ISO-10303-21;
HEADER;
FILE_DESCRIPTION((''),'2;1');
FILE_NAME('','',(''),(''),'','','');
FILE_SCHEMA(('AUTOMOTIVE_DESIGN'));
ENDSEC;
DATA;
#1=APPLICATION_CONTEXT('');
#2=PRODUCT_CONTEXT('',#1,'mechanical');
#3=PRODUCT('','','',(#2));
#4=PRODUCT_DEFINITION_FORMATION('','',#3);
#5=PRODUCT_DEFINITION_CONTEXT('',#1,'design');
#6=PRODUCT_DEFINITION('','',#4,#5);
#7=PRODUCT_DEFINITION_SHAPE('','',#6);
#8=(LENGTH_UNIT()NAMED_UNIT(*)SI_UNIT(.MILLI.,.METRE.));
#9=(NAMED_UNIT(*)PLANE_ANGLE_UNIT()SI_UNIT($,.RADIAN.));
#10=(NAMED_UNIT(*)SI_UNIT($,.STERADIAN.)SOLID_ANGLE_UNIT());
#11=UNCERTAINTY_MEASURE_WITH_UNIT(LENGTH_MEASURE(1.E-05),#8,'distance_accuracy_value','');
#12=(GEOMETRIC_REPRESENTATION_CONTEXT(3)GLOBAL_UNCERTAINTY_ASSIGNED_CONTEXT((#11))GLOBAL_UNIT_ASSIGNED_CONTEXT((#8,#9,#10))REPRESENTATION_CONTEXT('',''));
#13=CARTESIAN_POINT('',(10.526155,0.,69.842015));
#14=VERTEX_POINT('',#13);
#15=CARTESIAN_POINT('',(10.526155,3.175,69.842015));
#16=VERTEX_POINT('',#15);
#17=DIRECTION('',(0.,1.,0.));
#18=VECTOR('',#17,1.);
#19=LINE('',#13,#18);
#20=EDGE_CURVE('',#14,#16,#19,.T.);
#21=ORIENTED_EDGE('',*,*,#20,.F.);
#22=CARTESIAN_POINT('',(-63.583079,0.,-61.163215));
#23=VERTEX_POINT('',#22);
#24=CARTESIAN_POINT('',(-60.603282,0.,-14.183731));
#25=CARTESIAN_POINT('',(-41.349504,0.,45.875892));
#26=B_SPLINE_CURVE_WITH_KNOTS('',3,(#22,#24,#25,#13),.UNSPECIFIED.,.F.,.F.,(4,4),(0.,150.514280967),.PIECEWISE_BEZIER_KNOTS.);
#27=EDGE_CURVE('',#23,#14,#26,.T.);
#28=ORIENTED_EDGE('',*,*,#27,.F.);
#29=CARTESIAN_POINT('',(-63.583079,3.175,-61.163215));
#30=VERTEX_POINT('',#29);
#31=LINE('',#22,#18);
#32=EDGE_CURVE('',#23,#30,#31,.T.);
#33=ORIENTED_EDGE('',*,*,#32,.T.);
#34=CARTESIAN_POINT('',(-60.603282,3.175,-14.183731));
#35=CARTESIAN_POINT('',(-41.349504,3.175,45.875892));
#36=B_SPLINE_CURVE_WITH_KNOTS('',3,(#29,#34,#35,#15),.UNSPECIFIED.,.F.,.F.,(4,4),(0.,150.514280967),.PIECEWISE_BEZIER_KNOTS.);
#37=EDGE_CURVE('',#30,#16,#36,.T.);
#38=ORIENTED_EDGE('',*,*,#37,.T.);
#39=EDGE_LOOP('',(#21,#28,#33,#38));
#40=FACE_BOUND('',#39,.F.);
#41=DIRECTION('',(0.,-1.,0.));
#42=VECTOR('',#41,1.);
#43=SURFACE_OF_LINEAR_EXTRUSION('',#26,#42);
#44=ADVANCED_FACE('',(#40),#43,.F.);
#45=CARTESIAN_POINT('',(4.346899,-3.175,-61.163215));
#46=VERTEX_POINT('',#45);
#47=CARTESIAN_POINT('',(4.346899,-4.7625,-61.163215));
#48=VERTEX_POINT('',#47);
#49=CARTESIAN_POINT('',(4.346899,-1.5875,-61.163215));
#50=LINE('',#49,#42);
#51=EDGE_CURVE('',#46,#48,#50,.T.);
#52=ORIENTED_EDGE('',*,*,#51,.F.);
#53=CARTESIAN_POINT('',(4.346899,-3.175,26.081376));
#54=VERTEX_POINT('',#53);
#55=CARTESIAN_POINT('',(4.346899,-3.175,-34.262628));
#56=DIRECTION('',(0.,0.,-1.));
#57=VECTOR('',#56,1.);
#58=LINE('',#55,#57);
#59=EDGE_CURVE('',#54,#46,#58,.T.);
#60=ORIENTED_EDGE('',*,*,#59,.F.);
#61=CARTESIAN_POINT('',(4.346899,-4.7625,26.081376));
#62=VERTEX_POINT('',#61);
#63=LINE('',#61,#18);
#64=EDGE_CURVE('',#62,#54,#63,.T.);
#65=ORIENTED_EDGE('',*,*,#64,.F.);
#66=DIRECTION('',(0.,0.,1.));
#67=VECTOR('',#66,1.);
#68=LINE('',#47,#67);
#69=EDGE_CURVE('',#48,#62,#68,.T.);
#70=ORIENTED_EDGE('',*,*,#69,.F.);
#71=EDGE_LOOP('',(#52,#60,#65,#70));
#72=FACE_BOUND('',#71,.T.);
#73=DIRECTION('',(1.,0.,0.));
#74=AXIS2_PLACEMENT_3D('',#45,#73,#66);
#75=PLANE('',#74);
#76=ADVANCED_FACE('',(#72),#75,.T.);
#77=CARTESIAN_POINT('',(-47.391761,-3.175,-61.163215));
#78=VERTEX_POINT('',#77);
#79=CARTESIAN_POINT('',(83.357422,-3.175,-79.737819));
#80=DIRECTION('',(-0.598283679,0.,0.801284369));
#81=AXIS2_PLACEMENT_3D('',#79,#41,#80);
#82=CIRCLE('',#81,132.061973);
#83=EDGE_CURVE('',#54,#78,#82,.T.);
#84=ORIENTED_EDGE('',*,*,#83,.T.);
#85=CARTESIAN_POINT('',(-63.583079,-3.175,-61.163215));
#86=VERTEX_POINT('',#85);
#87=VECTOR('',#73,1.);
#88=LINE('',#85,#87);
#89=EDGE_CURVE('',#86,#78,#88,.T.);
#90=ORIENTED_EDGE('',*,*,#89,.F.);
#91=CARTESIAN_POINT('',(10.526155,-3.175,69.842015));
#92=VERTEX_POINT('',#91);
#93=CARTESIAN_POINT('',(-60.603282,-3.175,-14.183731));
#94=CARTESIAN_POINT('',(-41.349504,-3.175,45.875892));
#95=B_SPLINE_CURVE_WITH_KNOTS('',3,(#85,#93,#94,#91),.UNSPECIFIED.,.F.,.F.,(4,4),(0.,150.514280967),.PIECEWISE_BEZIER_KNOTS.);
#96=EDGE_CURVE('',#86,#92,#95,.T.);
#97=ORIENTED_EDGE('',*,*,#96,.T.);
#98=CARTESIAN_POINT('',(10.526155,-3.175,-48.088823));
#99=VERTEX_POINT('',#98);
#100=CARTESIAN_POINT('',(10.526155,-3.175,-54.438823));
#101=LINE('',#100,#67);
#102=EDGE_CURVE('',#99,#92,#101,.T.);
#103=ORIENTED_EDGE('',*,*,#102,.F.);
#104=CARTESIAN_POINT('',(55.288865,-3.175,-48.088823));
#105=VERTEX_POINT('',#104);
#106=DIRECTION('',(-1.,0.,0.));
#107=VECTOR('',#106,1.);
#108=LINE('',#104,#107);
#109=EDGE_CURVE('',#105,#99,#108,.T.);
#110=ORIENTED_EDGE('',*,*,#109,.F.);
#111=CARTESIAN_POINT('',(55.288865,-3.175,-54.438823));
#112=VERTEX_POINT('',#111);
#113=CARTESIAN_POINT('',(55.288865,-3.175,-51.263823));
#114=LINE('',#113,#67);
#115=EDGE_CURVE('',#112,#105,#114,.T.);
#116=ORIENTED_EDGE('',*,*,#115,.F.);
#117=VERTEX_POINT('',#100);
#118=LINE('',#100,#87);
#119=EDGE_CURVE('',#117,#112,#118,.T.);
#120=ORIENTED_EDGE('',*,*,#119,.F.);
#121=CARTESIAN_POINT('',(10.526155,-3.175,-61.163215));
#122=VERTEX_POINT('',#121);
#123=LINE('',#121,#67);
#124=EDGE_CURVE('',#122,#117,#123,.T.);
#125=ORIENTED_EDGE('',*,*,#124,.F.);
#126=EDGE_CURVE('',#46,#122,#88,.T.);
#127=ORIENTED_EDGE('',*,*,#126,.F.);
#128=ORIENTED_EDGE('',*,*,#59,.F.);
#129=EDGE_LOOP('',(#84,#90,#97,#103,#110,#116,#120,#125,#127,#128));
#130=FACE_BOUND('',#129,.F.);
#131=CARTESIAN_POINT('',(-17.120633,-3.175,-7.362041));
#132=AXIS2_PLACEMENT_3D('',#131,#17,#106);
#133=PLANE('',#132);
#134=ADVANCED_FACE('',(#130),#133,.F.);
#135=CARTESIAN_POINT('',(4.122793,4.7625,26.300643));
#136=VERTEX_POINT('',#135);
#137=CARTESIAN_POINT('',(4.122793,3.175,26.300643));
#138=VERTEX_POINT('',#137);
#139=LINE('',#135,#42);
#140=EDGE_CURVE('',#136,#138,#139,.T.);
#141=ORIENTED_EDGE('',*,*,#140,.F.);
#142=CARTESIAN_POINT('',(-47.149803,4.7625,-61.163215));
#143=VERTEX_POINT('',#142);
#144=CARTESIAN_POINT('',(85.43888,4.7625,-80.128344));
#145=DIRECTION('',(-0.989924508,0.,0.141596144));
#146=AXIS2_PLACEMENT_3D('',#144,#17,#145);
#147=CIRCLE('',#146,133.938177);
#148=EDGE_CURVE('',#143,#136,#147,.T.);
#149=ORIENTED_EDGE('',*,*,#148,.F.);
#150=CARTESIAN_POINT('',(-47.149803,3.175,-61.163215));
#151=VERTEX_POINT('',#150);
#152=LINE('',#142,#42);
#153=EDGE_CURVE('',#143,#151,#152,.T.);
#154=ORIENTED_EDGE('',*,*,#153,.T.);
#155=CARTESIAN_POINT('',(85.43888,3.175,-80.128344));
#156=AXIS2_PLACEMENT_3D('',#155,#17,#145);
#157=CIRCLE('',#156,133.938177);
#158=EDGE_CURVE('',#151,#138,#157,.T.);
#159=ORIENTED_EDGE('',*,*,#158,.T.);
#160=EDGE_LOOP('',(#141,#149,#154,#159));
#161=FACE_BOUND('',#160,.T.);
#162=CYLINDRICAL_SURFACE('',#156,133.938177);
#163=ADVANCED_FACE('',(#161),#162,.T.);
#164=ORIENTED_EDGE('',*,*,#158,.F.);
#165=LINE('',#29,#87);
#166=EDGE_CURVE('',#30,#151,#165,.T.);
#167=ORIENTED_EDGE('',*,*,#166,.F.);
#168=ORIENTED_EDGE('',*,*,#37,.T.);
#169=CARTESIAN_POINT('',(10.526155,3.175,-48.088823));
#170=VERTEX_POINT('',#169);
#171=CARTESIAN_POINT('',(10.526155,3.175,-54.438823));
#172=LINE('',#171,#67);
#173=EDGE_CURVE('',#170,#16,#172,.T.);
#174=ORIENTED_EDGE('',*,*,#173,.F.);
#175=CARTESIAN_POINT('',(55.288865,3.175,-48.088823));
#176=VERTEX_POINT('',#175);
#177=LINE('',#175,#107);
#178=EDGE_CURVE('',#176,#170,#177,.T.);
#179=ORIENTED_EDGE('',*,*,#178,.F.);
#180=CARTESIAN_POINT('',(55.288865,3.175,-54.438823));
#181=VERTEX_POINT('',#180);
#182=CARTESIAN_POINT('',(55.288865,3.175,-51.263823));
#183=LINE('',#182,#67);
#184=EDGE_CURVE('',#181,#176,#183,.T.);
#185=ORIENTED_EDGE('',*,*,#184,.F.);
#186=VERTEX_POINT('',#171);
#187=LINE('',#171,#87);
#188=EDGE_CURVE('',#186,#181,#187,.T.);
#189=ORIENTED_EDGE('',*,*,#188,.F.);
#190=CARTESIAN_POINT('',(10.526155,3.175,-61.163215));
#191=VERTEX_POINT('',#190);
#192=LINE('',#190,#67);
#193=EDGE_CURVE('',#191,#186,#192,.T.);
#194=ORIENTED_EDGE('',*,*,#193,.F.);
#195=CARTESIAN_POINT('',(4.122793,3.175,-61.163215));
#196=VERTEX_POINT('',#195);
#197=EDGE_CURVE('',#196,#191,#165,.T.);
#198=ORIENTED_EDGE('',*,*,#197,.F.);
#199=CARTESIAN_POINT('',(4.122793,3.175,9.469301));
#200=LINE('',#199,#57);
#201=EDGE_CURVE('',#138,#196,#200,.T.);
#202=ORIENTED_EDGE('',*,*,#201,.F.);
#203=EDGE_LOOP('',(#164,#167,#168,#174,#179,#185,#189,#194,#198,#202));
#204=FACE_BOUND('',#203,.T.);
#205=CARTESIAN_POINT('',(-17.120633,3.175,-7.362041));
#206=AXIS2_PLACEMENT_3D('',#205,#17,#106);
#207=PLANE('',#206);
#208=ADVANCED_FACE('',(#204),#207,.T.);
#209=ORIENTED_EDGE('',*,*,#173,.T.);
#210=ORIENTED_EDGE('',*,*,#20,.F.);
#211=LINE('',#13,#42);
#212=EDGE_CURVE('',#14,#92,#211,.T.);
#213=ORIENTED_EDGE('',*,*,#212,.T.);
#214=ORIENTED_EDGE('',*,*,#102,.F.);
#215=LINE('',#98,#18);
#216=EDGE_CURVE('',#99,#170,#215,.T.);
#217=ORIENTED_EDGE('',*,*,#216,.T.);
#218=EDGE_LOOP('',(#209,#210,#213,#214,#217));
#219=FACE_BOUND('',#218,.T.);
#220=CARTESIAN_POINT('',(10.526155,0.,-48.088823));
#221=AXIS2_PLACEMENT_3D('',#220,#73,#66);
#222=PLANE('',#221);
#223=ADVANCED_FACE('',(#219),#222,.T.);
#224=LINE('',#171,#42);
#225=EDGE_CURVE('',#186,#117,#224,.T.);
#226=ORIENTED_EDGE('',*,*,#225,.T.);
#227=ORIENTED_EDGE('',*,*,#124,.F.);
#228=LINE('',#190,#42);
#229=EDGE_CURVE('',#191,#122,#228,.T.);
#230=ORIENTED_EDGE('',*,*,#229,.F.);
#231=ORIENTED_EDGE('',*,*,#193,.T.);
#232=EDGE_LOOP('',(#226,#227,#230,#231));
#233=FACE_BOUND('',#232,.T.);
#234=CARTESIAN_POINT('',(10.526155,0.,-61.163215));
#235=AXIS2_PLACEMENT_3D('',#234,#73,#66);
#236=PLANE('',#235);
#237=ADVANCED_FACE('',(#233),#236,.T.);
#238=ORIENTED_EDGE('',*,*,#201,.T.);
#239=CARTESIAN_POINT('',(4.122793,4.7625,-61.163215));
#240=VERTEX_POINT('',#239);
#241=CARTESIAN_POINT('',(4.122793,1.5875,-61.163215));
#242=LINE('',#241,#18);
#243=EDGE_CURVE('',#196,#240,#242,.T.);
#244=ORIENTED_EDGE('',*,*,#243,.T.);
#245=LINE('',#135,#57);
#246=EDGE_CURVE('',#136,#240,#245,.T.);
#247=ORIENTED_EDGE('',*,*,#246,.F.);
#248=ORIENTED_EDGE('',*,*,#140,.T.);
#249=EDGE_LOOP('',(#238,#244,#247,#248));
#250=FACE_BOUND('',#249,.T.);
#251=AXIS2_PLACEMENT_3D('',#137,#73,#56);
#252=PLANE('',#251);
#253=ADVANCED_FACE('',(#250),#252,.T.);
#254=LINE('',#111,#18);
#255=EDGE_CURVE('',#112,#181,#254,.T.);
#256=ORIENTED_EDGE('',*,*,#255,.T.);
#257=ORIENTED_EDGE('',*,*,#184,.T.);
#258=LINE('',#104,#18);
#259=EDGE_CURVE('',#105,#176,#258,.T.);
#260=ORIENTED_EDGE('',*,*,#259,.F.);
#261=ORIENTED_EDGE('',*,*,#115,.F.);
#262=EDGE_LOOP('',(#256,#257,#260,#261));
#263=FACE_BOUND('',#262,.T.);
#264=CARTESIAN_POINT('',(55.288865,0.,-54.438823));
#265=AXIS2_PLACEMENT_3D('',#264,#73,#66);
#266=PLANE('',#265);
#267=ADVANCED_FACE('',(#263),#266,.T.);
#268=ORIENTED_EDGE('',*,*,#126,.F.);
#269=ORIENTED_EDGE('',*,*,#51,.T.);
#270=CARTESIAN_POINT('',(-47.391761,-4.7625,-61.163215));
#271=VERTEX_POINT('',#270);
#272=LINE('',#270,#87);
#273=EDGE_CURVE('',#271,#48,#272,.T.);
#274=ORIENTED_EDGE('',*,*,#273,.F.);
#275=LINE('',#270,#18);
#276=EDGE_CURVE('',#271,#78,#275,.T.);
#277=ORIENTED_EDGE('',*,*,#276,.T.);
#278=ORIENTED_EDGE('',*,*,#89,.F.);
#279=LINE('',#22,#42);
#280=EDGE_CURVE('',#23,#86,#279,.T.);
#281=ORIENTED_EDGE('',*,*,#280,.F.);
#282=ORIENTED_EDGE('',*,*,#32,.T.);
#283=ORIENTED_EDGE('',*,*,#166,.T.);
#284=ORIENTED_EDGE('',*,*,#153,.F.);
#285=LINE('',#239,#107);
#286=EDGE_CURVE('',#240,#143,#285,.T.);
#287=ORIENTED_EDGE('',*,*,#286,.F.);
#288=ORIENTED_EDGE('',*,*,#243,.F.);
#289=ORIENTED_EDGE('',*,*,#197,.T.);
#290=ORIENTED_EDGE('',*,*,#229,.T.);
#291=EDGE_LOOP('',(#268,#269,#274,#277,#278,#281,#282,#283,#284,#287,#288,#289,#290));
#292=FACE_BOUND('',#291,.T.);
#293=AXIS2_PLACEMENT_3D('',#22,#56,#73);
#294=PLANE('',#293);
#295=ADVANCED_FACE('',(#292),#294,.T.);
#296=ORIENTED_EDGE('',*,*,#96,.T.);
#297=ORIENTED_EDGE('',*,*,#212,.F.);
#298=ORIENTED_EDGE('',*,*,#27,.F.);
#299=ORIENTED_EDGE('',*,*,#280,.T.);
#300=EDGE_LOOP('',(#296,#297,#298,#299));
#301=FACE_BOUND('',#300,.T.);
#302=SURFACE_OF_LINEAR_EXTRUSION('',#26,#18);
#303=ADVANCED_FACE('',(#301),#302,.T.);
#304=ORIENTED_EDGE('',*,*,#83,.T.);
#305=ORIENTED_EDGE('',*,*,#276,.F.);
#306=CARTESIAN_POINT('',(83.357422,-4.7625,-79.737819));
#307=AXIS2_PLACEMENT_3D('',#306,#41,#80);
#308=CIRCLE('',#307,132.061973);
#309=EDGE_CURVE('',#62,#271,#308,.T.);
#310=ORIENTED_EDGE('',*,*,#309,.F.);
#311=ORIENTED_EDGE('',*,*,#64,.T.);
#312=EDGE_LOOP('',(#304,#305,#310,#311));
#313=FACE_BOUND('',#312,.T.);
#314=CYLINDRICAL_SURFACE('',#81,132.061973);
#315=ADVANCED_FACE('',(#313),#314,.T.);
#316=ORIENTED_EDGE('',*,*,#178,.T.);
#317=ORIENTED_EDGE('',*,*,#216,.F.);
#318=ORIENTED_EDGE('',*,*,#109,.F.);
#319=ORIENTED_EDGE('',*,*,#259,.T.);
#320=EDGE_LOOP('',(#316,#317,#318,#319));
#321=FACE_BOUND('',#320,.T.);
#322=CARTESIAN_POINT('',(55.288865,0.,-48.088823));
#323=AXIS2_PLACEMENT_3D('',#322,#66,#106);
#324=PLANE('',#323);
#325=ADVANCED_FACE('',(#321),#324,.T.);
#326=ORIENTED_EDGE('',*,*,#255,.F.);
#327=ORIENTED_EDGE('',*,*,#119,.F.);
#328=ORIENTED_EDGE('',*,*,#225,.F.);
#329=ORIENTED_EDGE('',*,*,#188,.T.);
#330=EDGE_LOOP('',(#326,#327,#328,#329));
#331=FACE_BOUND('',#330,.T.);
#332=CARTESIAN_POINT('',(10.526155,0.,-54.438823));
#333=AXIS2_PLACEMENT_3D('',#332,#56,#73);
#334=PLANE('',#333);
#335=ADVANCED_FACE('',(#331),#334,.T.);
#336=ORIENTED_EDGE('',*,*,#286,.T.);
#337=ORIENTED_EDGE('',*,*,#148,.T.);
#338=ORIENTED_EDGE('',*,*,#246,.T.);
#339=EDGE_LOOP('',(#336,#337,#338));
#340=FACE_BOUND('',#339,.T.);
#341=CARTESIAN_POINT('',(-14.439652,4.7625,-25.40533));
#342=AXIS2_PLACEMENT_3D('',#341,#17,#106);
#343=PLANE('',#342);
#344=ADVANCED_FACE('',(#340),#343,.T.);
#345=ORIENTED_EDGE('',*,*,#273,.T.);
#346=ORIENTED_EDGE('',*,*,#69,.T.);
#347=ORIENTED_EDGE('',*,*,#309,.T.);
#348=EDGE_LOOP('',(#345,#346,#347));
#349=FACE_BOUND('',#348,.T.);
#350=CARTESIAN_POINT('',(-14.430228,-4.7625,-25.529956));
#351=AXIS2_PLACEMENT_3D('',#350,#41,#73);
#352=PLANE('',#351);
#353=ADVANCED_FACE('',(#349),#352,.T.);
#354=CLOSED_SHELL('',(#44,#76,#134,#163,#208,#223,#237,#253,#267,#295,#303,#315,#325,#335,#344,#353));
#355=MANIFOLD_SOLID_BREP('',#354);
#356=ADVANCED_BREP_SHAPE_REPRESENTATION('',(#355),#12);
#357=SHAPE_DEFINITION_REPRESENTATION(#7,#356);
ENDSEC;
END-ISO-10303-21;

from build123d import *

# Parameters (mm, degrees)
F0_W     = 3.9206347639
F0_H     = 6.35
F0_W_2   = 38.6172633823
F0_W_3   = 6.145446312
F1_DEPTH = 3.175
F3_DEPTH = 1.5875
F5_DEPTH = 1.5875


with BuildPart() as f1:
    # F0 (on Front) → F1 (new body, symmetric)
    with BuildSketch(Plane.XZ):
        with BuildLine():
            add(Edge.make_bspline(
                [(-63.5830785449, -61.1632146377), (-60.6032821452, -14.1837314043), (-41.3495043683, 45.8758918628), (10.5261552874, 69.8420151656)],
                knots=[0, 0, 0, 0, 150.514280967, 150.514280967, 150.514280967, 150.514280967], degree=3))
            Line((-63.5830785449, -61.1632146377), (10.5261552874, -61.1632146377))
            Line((10.5261552874, -61.1632146377), (10.5261552874, -54.4388230847))
            Line((10.5261552874, -54.4388230847), (6.6055205235, -54.4388230847))
            Line((6.6055205235, -54.4388230847), (6.6055205235, -48.0888230847))
            Line((6.6055205235, -48.0888230847), (10.5261552874, -48.0888230847))
            Line((10.5261552874, -48.0888230847), (10.5261552874, 69.8420151656))
        make_face()
        with Locations((8.5658379055, -51.2638230847)):
            Rectangle(F0_W, F0_H)
        with Locations((29.8347869785, -51.2638230847)):
            Rectangle(F0_W_2, F0_H)
        with Locations((52.2161418257, -51.2638230847)):
            Rectangle(F0_W_3, F0_H)
    extrude(amount=F1_DEPTH, both=True)

    # F2 (on face) → F3 (join, symmetric)
    with BuildSketch(Plane(origin=(0, 3.175, 0), x_dir=(-1, 0, 0), z_dir=(0, 1, 0))):
        with BuildLine():
            Line((-4.1227932088, 26.3006426394), (-4.1227932088, -61.1632146377))
            Line((-4.1227932088, -61.1632146377), (47.1498034894, -61.1632146377))
            ThreePointArc((47.1498034894, -61.1632146377), (30.1089207689, -12.3925272169), (-4.1227932088, 26.3006426394))
        make_face()
    extrude(amount=F3_DEPTH, both=True)

    # F4 (on face) → F5 (join, symmetric)
    with BuildSketch(Plane.XZ.offset(3.175)):
        with BuildLine():
            Line((-47.3917610943, -61.1632146377), (4.3468987569, -61.1632146377))
            Line((4.3468987569, -61.1632146377), (4.3468987569, 26.0813757777))
            ThreePointArc((4.3468987569, 26.0813757777), (-30.2325786117, -12.3755406522), (-47.3917610943, -61.1632146377))
        make_face()
    extrude(amount=F5_DEPTH, both=True)


solid = f1.part
